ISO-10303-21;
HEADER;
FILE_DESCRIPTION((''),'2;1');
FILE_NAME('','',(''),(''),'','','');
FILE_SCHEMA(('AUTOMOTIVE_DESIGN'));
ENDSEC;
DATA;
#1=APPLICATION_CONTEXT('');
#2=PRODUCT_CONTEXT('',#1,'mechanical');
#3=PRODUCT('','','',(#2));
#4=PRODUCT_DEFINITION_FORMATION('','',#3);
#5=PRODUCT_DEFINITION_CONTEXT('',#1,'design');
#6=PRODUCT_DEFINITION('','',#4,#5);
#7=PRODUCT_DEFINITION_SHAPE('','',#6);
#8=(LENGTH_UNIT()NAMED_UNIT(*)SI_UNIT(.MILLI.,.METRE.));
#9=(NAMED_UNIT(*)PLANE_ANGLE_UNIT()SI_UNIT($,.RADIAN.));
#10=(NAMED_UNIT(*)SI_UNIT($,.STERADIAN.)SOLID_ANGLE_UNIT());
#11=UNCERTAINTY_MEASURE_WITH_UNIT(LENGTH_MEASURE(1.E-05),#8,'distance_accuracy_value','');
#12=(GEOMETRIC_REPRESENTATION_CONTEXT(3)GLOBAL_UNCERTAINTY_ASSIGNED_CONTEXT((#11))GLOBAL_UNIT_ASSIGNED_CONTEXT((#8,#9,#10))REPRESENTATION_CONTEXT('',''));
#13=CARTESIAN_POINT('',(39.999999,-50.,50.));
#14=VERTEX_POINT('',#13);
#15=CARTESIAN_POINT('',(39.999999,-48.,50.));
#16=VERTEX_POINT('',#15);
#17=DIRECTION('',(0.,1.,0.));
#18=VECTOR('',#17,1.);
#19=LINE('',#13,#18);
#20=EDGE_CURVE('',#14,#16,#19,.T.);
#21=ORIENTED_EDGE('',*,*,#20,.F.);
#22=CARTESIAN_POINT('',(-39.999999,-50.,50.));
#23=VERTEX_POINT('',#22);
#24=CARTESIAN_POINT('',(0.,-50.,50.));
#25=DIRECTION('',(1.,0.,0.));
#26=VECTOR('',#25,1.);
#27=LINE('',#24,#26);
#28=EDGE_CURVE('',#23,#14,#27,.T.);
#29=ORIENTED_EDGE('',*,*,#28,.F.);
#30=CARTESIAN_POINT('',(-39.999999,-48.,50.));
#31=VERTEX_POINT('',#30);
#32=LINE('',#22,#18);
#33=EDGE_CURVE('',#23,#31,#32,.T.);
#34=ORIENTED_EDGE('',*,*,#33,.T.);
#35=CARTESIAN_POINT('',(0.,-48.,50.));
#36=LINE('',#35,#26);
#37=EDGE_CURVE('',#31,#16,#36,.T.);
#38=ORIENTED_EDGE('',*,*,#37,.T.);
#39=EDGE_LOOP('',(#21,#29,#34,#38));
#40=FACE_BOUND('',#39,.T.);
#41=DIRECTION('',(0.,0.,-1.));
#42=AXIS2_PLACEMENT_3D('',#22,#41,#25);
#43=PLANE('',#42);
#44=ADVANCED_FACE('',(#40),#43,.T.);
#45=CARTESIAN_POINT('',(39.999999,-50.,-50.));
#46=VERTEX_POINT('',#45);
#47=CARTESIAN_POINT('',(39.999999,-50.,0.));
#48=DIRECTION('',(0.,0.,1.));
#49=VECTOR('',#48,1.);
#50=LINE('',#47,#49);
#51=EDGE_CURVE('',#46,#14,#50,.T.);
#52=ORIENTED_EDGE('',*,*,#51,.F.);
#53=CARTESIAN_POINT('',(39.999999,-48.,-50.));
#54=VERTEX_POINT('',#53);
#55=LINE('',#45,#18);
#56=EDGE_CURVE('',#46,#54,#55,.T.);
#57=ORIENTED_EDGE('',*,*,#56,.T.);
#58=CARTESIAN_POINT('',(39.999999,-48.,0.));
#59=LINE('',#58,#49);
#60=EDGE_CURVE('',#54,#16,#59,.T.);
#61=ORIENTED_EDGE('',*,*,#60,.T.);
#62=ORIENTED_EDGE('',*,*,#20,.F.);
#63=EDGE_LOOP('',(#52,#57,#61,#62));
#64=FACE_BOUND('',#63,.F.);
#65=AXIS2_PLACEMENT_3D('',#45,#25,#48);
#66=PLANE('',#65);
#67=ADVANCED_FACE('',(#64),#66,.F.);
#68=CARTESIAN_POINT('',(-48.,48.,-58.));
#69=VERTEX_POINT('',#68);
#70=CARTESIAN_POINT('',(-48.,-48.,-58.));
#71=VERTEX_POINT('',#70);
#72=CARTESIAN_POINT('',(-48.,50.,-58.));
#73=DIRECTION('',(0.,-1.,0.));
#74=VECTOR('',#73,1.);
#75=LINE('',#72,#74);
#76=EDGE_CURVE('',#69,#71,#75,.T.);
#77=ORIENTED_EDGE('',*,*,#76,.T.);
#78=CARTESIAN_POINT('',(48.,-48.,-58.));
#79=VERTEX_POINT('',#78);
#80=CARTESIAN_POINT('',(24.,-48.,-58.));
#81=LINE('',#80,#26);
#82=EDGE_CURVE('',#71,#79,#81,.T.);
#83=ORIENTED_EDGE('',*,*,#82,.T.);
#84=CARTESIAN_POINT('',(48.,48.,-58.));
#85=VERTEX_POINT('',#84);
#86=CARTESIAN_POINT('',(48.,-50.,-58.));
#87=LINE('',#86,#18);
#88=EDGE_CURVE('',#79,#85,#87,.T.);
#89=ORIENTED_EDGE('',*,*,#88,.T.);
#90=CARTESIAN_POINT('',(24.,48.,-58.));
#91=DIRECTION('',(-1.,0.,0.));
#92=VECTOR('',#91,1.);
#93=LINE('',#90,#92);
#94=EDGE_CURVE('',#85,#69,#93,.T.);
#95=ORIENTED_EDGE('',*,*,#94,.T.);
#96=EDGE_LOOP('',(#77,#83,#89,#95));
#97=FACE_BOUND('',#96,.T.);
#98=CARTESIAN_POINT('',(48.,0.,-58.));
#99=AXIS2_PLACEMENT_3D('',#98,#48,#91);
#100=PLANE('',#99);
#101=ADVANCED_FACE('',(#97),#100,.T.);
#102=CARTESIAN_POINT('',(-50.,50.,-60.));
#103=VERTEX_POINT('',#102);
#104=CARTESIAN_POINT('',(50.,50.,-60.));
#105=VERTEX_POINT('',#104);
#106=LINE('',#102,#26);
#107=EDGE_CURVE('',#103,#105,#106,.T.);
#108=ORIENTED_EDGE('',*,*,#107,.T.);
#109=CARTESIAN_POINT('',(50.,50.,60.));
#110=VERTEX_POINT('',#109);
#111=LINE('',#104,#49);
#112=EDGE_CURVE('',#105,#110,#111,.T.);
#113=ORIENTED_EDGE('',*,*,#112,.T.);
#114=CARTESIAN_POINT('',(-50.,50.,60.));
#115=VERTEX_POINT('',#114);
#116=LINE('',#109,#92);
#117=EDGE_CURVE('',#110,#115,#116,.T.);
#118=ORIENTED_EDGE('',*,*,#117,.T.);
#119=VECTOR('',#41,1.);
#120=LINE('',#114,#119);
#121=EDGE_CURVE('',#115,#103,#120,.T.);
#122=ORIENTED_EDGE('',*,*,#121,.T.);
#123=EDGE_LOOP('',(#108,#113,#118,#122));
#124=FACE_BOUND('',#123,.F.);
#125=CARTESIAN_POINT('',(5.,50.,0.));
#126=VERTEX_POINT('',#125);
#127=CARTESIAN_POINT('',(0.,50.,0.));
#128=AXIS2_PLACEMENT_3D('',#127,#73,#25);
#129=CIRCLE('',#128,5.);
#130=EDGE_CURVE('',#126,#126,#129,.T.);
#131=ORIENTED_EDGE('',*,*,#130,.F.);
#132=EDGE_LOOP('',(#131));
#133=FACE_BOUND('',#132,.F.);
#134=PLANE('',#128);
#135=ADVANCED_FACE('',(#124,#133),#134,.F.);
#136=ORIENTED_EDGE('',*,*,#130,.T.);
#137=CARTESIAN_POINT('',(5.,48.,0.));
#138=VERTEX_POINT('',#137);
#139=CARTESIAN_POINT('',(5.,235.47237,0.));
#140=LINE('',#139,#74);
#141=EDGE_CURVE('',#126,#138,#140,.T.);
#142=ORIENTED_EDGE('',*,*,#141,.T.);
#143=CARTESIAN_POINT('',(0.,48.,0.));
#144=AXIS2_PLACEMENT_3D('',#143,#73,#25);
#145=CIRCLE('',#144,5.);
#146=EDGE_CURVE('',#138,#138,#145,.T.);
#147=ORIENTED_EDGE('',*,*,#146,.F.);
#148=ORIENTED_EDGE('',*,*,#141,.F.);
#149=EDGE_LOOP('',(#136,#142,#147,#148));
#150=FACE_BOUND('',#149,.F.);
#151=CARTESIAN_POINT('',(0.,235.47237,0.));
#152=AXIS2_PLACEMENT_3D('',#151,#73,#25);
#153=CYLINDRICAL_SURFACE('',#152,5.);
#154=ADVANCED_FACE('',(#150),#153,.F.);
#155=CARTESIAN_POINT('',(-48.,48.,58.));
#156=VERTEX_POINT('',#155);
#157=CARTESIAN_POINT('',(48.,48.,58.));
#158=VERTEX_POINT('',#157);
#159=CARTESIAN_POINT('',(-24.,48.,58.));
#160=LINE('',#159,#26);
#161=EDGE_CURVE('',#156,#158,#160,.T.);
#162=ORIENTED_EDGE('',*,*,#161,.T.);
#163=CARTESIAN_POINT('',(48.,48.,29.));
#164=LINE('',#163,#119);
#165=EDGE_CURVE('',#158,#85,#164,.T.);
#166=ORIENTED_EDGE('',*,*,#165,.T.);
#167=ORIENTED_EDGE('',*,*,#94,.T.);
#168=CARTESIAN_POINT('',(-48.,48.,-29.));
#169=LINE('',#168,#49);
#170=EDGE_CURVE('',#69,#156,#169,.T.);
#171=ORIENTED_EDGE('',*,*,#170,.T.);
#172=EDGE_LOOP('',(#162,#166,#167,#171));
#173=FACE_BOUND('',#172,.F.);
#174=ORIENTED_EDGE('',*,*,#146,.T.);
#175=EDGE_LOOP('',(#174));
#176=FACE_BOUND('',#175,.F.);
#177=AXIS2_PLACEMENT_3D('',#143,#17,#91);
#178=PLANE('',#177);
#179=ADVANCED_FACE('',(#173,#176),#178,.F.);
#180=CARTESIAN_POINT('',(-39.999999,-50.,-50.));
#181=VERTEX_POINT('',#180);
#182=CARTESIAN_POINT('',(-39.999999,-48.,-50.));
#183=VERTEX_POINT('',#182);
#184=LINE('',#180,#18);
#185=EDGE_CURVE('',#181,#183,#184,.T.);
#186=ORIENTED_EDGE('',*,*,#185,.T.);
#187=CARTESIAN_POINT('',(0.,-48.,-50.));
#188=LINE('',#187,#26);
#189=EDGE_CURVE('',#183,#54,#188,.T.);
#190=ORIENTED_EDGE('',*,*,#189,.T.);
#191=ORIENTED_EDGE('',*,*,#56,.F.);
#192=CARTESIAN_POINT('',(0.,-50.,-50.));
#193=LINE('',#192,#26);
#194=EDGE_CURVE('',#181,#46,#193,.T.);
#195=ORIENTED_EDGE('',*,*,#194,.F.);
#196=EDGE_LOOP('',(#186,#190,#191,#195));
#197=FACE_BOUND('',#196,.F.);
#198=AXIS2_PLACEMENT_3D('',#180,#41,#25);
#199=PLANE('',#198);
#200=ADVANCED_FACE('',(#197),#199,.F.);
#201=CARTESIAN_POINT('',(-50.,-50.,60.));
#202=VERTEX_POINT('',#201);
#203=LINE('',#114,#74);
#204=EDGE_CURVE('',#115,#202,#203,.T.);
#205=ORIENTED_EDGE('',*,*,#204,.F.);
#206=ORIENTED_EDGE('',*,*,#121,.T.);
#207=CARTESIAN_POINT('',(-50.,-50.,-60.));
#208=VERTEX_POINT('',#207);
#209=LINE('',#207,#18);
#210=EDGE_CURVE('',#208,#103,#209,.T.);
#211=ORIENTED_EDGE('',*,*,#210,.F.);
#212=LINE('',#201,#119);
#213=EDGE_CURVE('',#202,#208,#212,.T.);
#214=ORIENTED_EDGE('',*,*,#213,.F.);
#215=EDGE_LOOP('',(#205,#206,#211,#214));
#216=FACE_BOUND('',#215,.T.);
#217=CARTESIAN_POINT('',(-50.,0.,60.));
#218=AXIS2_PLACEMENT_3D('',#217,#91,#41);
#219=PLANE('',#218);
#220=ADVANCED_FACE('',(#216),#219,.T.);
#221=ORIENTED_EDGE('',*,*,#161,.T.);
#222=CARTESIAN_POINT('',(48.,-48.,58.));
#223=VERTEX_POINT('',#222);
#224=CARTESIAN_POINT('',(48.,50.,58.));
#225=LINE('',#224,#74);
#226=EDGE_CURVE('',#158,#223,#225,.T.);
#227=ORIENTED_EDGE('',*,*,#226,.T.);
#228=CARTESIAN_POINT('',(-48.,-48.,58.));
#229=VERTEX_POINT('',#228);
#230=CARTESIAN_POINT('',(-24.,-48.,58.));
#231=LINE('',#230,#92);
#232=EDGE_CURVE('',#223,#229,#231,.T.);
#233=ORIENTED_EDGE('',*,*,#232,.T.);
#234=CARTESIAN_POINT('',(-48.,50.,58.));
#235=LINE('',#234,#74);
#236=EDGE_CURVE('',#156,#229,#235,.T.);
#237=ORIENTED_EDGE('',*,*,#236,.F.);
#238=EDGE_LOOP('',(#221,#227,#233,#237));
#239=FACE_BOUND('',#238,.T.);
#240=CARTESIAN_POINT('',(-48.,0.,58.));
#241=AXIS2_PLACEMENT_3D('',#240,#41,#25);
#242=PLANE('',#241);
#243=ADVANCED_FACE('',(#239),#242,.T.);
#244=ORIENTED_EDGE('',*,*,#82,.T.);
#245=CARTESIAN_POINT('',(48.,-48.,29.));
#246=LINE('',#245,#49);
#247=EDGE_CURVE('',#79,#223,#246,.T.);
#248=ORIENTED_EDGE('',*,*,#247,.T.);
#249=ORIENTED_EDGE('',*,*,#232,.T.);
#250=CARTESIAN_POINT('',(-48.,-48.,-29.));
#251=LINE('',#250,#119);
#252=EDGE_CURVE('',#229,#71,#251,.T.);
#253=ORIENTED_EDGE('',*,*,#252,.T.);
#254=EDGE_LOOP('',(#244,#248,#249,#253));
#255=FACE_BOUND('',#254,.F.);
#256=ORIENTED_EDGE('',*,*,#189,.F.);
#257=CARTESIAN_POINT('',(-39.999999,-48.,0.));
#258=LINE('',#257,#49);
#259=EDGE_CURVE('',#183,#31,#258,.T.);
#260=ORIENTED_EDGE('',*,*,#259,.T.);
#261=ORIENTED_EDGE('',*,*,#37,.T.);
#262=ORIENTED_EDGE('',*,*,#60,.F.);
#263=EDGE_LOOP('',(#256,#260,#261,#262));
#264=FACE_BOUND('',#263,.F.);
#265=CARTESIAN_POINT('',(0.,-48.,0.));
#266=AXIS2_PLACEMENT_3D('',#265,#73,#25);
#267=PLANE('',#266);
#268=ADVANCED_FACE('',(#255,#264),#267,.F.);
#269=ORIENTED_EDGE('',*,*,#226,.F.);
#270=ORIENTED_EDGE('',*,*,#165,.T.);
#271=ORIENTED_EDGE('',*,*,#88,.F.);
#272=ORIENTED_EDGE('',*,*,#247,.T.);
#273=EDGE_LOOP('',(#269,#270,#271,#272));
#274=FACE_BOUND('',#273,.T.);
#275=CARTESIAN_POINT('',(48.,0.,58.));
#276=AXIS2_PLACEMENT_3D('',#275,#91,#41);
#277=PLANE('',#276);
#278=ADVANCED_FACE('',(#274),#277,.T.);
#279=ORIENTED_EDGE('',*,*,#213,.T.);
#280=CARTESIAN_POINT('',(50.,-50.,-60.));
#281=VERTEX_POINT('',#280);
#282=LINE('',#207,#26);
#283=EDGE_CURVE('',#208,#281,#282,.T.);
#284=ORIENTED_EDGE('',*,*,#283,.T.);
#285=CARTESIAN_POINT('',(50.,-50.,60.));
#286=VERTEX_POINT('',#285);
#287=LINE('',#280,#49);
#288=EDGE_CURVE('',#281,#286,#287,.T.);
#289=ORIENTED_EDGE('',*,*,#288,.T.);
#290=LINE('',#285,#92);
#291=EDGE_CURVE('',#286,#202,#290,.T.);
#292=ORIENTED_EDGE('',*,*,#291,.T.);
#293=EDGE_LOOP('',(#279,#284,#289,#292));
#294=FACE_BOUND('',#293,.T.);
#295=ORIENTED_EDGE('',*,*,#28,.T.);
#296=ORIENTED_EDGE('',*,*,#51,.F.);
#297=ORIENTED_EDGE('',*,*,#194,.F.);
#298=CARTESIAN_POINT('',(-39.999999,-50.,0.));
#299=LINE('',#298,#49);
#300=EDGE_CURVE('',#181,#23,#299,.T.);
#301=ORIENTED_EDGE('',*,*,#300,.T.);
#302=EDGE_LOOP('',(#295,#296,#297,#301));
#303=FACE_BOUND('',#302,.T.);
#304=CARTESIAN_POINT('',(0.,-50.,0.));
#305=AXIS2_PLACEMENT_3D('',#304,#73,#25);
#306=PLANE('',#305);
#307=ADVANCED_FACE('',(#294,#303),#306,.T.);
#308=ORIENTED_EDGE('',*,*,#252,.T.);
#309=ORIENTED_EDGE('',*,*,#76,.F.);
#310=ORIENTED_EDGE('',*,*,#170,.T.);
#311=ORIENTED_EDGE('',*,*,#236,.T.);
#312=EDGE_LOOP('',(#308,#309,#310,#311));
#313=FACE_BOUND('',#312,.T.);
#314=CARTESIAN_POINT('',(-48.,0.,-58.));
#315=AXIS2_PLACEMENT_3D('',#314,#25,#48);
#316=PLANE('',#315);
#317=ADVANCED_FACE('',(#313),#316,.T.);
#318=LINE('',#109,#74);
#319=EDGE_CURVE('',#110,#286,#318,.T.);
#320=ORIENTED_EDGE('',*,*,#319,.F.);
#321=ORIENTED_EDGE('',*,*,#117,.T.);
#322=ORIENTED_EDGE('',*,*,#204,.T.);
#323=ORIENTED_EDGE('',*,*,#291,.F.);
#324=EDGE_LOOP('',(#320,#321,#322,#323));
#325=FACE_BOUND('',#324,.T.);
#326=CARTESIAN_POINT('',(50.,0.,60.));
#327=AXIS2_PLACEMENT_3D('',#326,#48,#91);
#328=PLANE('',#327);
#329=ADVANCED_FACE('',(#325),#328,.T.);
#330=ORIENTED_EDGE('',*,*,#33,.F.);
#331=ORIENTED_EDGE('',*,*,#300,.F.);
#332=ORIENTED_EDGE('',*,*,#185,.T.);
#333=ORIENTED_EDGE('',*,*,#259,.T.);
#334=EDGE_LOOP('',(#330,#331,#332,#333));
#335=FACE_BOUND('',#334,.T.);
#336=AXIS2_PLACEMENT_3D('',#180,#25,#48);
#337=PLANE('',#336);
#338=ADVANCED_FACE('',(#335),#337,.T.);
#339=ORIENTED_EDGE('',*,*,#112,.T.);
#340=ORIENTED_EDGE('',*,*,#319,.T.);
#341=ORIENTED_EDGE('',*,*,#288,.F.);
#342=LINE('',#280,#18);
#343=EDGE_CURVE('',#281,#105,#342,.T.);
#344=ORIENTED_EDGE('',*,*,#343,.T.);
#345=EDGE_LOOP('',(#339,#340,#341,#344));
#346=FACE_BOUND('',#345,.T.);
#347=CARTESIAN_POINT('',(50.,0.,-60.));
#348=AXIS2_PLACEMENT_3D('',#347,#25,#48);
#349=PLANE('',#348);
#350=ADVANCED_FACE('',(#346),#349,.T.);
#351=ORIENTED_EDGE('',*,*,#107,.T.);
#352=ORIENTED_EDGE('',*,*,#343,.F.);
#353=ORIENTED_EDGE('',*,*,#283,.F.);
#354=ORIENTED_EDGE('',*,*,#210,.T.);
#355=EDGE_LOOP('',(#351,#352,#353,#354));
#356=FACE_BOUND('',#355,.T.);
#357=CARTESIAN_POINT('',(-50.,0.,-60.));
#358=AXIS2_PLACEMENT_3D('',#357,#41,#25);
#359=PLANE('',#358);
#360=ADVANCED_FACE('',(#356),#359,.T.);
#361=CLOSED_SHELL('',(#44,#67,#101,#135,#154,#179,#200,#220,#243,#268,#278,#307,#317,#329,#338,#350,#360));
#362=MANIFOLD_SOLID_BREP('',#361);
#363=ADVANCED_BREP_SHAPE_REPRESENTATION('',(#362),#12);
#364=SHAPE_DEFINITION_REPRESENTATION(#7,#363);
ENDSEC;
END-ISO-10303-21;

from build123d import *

# Parameters (mm, degrees)
F1_DEPTH = 50
F2_W     = 100
F2_H     = 120
F3_DEPTH = 2
F5_D     = 10
F6_W     = 79.999998
F6_H     = 100.000001
F7_DEPTH = 2


with BuildPart() as f1:
    # F0 (on Front) → F1 (new body, symmetric)
    with BuildSketch(Plane.XZ):
        Polygon((50, -60), (50, 0), (50, 60), (-50, 60), (-50, -60), align=None)
        Polygon((-48, -58), (-48, 58), (48, 58), (48, 0), (48, -58), align=None, mode=Mode.SUBTRACT)
    extrude(amount=F1_DEPTH, both=True)

    # F2 (on face) → F3 (join)
    with BuildSketch(Plane(origin=(0, 50, 0), x_dir=(-1, 0, 0), z_dir=(0, 1, 0))):
        Rectangle(F2_W, F2_H)
    extrude(amount=-F3_DEPTH)

    # F5 (through all)
    with Locations(Plane(origin=(0, 50, 0), x_dir=(-1, 0, 0), z_dir=(0, 1, 0))):
        with Locations((0, 0)):
            Hole(F5_D / 2)

    # F6 (on face) → F7 (join)
    with BuildSketch(Plane.XZ.offset(50)):
        Polygon((50, 55), (50, 60), (-50, 60), (-50, -60), (50, -60), align=None)
        with Locations((0, 0)):
            Rectangle(F6_W, F6_H, mode=Mode.SUBTRACT)
    extrude(amount=-F7_DEPTH)


solid = f1.part
